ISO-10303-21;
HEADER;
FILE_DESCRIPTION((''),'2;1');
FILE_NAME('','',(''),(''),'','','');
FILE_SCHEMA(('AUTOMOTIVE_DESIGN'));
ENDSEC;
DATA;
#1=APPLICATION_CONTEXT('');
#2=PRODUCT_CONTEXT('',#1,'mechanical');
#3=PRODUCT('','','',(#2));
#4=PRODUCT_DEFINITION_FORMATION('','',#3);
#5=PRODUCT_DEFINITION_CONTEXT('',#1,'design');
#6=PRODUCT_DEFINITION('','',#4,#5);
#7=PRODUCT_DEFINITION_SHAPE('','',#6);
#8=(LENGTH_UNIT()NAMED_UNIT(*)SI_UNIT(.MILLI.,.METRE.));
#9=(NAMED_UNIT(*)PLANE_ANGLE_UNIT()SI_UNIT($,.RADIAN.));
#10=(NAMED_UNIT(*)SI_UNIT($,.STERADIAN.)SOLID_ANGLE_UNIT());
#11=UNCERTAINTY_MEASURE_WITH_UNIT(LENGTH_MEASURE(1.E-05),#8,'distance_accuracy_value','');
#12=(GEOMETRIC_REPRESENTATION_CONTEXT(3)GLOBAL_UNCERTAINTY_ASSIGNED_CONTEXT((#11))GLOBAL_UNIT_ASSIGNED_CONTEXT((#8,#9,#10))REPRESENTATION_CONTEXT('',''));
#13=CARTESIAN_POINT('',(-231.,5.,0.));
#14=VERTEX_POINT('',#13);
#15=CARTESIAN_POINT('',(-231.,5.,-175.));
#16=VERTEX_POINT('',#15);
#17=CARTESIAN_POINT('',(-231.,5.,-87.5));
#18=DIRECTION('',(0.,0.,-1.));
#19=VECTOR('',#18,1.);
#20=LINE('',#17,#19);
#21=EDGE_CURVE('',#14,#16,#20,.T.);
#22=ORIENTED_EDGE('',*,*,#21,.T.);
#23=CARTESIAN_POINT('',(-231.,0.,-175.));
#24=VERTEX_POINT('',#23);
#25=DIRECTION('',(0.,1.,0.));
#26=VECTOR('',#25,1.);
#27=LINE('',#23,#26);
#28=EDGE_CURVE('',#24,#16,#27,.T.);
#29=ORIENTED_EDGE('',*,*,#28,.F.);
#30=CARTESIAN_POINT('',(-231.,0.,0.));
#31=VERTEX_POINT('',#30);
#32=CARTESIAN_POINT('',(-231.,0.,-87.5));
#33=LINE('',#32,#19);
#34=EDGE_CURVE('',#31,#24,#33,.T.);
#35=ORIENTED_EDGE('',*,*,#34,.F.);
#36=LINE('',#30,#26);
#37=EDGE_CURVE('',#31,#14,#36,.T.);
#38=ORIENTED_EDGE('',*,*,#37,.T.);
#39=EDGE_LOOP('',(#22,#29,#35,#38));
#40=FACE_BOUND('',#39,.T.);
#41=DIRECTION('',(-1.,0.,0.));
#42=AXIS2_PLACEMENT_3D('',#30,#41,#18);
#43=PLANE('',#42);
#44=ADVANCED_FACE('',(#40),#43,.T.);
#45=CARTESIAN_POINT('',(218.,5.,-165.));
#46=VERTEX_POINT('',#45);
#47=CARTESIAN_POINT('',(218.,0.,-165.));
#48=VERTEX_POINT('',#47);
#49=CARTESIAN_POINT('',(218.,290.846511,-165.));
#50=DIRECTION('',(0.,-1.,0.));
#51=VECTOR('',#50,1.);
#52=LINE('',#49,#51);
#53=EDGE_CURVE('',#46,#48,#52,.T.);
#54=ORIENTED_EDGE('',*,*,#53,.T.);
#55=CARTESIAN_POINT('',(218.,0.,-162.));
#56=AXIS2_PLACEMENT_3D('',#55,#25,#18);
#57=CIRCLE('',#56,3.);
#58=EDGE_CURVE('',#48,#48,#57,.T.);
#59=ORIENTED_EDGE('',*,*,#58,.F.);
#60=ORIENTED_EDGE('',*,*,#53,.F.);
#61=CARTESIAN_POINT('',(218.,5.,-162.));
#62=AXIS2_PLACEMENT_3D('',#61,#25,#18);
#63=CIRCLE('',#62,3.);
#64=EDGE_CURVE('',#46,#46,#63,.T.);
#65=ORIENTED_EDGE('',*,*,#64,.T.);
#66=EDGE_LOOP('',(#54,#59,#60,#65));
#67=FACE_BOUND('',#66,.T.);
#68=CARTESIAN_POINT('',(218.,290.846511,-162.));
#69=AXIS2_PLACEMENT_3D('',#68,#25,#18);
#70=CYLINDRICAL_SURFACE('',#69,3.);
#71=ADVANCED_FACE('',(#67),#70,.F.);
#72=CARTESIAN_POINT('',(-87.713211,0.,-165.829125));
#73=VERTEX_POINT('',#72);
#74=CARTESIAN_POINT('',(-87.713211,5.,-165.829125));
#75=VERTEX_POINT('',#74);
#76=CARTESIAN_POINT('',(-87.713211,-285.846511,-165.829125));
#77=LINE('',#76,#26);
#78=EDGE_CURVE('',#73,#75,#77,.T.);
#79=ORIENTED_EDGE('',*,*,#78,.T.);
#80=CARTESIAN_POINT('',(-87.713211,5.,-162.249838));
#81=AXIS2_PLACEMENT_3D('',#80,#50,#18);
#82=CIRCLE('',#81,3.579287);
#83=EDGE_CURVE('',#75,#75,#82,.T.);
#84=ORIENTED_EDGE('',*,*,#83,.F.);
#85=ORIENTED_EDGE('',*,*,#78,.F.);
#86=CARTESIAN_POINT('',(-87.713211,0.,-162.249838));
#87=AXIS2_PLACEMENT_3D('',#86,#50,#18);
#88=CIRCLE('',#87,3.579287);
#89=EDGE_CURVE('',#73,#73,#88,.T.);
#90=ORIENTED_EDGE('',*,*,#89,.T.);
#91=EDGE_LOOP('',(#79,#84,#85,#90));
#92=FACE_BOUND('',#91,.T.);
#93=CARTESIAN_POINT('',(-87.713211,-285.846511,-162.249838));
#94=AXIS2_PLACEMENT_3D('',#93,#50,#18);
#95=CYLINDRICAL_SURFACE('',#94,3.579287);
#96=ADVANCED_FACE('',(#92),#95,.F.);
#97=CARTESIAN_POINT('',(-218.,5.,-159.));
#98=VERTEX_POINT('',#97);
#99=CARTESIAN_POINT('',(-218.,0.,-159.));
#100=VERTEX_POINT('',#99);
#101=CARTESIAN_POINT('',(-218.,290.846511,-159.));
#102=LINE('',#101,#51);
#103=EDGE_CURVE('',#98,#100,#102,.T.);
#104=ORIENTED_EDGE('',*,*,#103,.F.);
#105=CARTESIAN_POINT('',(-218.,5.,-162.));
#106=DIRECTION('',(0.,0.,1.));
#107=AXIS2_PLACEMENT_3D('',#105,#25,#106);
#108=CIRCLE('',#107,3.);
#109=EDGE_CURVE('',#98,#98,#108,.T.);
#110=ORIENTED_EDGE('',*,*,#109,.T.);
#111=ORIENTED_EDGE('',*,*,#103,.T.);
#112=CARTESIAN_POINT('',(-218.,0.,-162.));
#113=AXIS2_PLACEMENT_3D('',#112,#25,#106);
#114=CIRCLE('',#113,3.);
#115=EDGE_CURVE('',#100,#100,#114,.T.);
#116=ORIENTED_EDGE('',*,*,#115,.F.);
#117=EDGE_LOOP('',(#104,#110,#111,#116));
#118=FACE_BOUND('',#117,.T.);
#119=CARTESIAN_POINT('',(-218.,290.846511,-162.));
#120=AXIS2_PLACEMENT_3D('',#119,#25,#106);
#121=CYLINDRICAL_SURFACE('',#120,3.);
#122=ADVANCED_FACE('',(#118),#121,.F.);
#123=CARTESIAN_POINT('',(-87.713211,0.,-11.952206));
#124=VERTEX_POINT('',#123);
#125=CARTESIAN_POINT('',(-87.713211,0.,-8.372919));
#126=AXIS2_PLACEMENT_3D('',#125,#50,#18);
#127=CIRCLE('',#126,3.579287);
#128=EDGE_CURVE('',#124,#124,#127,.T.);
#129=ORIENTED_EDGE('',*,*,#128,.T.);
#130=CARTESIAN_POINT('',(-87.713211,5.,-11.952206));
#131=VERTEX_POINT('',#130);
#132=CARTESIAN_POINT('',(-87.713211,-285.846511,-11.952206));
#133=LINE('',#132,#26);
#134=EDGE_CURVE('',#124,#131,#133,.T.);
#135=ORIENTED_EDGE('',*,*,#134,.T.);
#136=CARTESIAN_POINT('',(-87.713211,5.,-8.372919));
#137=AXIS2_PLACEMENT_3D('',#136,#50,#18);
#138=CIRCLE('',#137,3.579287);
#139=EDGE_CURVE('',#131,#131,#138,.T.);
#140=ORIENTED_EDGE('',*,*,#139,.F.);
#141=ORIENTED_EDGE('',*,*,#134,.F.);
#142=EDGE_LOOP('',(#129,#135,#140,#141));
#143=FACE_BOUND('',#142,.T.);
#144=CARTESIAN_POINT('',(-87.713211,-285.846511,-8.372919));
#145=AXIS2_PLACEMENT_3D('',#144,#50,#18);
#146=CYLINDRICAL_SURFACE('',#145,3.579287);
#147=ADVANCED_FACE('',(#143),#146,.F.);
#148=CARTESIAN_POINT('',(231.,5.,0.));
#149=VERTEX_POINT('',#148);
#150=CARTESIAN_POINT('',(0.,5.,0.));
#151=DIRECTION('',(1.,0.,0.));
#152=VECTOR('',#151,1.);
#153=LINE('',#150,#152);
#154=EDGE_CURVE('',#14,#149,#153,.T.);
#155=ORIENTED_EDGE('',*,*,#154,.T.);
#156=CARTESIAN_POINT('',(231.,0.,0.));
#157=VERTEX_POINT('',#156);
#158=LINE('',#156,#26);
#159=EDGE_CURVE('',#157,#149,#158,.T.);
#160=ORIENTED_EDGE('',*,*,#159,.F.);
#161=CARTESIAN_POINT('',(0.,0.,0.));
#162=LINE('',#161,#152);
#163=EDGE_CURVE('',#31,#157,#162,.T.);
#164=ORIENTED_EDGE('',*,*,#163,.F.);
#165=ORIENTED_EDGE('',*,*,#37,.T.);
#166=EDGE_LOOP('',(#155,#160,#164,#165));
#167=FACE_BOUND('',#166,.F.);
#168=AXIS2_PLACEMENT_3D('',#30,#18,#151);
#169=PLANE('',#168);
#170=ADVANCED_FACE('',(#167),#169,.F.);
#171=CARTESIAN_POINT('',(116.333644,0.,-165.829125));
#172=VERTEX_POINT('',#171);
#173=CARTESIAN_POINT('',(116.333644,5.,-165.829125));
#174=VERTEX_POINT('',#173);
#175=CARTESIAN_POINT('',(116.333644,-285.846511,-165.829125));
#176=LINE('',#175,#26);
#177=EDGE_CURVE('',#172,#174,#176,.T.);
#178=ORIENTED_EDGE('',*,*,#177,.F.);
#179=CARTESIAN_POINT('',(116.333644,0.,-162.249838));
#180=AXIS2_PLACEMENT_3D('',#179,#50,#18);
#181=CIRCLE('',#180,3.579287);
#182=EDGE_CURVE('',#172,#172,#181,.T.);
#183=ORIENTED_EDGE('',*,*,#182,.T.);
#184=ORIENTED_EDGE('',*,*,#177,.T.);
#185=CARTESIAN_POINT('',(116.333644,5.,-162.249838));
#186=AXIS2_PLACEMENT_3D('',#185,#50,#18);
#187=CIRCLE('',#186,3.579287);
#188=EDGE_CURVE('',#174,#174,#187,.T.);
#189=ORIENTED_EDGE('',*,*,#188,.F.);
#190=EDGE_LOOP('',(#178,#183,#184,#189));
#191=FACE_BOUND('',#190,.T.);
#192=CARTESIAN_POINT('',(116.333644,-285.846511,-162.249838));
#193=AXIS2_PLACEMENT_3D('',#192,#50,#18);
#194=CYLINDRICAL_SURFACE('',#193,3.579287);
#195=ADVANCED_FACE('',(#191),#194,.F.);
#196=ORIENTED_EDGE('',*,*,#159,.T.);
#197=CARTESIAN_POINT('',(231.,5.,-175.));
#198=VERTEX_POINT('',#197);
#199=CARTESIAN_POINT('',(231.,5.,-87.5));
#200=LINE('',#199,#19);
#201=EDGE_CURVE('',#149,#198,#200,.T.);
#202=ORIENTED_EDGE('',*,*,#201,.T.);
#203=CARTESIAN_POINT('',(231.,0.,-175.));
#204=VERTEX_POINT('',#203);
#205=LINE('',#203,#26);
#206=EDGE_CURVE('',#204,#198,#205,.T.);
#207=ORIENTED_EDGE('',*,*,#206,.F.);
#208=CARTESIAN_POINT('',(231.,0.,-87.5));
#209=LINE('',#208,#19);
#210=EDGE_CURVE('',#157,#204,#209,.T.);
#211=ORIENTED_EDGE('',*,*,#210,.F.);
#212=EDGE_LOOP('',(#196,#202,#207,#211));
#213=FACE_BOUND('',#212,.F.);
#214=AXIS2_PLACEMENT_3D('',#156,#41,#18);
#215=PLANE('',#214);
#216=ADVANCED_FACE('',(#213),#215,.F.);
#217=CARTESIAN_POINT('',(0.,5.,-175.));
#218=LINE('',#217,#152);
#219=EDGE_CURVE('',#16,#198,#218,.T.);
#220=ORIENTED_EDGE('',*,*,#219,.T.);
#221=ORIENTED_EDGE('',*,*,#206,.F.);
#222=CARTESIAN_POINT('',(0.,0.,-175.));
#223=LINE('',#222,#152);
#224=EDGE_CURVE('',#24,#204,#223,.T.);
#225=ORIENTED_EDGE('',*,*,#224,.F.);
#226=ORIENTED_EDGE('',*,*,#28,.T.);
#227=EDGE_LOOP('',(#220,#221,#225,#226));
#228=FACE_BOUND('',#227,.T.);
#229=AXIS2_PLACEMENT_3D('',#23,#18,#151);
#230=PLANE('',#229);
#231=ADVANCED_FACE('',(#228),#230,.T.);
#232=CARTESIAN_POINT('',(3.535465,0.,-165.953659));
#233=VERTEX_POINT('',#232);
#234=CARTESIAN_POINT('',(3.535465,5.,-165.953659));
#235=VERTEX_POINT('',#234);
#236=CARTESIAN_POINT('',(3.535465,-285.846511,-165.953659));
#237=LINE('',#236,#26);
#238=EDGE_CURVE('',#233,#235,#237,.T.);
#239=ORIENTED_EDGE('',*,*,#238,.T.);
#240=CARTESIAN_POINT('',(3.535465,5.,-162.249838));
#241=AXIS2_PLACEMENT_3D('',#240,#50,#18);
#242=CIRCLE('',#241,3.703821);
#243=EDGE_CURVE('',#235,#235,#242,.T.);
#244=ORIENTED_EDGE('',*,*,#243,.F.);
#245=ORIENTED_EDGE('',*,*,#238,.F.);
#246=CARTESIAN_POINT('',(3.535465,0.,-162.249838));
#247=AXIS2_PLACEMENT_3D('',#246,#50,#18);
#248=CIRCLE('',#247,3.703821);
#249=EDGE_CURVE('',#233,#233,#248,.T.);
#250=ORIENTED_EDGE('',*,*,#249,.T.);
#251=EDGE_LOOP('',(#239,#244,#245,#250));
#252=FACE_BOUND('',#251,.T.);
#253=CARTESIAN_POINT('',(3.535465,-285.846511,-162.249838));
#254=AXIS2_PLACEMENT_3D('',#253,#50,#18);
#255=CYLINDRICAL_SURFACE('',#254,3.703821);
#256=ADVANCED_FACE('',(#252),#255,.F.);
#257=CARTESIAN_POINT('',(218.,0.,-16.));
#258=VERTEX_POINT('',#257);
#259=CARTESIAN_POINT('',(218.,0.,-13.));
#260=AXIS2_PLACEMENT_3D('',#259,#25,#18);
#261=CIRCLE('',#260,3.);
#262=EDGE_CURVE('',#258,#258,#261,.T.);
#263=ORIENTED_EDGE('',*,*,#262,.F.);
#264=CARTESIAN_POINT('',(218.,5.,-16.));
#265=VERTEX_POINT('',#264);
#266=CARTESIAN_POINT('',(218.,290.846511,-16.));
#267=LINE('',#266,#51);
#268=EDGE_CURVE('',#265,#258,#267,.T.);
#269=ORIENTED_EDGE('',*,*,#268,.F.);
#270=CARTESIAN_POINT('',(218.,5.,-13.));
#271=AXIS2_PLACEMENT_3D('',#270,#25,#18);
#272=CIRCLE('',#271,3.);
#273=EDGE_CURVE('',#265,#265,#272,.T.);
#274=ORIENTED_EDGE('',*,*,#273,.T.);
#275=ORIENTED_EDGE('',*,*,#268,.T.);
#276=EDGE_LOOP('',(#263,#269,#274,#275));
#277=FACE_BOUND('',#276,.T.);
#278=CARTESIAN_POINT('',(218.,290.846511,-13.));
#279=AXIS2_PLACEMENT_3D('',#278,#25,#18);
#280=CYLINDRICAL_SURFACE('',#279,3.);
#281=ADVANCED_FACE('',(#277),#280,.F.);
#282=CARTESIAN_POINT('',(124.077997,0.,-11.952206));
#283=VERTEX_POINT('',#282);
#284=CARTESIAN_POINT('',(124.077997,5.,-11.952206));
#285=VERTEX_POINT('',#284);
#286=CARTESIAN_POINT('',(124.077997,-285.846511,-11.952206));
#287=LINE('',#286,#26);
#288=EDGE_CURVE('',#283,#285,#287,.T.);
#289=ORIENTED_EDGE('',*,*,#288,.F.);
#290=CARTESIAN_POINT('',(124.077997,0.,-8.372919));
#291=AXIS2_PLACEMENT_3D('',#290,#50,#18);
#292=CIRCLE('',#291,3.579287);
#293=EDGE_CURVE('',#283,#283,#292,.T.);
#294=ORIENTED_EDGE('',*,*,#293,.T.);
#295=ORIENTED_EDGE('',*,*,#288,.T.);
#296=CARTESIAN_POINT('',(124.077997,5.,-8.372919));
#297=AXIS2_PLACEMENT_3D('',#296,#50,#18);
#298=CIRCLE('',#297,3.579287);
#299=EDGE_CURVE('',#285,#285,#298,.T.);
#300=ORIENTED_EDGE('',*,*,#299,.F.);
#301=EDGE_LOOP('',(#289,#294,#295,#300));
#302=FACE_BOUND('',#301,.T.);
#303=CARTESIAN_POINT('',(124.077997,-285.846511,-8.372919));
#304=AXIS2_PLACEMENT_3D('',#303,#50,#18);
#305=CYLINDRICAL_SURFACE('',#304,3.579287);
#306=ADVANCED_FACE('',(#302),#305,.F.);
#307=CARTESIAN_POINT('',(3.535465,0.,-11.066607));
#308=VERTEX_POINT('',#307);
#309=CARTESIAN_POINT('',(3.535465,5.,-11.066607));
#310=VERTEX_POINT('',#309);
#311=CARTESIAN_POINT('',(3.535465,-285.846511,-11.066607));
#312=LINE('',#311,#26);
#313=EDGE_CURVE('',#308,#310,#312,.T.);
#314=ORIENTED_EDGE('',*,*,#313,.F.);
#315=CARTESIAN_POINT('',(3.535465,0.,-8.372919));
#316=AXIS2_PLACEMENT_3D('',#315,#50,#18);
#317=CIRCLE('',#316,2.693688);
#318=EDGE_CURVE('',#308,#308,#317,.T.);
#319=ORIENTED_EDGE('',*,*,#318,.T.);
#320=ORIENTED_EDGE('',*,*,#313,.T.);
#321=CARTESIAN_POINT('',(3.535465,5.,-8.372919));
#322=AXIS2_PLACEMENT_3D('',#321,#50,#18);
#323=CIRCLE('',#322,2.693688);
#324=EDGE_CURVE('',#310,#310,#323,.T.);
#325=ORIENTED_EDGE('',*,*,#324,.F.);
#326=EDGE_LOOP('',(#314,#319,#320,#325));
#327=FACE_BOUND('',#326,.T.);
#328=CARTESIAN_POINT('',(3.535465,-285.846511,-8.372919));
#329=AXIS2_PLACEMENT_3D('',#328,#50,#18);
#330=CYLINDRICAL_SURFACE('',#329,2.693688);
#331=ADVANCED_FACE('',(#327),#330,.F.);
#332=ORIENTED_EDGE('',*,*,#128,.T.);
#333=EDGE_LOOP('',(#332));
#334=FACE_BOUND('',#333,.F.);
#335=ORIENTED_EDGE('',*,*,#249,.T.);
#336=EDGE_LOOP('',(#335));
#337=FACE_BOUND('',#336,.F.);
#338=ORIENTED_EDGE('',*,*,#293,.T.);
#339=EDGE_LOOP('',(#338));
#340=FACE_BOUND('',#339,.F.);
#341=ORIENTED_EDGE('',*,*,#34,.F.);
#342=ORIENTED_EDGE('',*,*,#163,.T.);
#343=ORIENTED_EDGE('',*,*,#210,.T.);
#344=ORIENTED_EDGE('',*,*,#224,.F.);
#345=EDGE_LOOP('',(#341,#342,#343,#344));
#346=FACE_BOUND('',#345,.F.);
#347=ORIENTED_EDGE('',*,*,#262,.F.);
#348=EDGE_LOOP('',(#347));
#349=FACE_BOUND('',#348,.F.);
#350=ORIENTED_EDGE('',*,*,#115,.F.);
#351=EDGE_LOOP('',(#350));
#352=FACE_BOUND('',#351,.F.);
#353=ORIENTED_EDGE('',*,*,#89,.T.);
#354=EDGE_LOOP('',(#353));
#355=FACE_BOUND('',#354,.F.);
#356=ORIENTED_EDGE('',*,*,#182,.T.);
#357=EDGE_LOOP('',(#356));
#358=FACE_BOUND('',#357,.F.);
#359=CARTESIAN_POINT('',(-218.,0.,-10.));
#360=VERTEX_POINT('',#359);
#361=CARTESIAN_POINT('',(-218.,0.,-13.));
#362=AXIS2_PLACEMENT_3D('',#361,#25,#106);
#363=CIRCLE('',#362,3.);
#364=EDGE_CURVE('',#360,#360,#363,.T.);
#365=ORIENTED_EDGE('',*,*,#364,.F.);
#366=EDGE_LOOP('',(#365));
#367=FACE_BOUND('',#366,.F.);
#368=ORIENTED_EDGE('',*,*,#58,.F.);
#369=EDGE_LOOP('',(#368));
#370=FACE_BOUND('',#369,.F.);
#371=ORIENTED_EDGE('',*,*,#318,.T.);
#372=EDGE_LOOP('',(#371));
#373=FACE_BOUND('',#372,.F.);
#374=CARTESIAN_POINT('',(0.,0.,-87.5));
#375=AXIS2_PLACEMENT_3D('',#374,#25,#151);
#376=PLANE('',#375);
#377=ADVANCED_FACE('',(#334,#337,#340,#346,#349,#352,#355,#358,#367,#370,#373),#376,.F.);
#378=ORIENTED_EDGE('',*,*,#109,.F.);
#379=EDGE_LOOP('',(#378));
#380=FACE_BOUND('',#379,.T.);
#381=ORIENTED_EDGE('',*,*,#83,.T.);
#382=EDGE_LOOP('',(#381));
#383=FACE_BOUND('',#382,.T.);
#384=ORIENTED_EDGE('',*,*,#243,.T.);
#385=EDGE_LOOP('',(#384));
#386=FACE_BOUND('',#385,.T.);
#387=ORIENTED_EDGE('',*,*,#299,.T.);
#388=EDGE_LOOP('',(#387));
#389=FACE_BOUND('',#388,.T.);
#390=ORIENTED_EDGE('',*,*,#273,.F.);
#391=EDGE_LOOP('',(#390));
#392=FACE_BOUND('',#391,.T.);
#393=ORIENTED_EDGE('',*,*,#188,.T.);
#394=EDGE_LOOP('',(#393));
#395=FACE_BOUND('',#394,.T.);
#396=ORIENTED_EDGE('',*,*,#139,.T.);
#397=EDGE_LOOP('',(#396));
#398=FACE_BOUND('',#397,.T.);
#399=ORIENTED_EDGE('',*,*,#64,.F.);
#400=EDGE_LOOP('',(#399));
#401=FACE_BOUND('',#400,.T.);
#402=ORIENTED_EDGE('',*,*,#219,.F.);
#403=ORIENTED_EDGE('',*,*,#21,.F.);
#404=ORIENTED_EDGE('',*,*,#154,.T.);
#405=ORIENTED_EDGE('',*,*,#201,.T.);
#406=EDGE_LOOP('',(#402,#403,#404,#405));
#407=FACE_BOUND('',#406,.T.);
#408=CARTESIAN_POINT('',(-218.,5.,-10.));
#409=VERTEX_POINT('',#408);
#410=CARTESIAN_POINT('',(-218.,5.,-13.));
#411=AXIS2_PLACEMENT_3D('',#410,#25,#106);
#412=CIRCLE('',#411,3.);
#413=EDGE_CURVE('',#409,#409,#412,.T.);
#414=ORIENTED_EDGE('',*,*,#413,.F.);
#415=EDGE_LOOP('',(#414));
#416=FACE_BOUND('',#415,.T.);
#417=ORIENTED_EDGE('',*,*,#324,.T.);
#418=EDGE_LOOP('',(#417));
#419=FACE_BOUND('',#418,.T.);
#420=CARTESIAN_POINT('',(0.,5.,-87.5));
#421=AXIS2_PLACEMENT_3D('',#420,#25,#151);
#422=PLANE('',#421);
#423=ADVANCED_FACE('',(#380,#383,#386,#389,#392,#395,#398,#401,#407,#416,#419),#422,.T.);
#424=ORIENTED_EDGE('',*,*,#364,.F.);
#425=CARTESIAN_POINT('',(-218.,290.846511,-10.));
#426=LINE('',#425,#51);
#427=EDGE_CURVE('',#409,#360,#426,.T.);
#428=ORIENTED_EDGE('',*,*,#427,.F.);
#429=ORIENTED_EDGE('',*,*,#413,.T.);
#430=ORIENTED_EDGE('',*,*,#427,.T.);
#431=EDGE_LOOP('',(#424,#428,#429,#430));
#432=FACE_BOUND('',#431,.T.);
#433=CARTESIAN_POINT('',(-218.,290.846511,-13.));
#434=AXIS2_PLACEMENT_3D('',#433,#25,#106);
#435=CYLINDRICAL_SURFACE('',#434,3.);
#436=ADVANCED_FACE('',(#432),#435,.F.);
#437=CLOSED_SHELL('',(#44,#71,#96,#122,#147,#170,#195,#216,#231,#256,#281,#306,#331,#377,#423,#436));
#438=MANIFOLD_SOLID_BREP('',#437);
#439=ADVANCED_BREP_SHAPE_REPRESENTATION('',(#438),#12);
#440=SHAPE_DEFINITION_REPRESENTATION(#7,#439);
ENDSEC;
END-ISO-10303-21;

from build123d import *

# Parameters (mm, degrees)
SKETCH_1_W               = 462
SKETCH_1_H               = 175
EXTRUDE_1_DEPTH          = 5
CUT_EXTRUDE_1_DEPTH      = 290.846511105
CUT_EXTRUDE_1_DEPTH_BACK = 290.846511105
SKETCH_2_R               = 3
CUT_EXTRUDE_3_DEPTH      = 290.846511105
CUT_EXTRUDE_3_DEPTH_BACK = 290.846511105
SKETCH_5_R               = 3.579286829
SKETCH_5_R_2             = 3.703820796
SKETCH_5_R_3             = 2.693687851


with BuildPart() as part:
    # 草图1 → 凸台-拉伸1 (new body)
    with BuildSketch(Plane(origin=(0, 0, 0), x_dir=(1, 0, 0), z_dir=(0, 1, 0))):
        with Locations((0, 87.5)):
            Rectangle(SKETCH_1_W, SKETCH_1_H)
    extrude(amount=EXTRUDE_1_DEPTH)

    # 草图2 → 切除-拉伸1 (cut, two sides: drawn at the far end of the back side and taken through both)
    with BuildSketch(Plane.XZ.offset(-CUT_EXTRUDE_1_DEPTH_BACK)):
        with Locations((218, -162)):
            Circle(SKETCH_2_R)
        with Locations((218, -13)):
            Circle(SKETCH_2_R)
        with Locations((-218, -13)):
            Circle(SKETCH_2_R)
        with Locations((-218, -162)):
            Circle(SKETCH_2_R)
    extrude(amount=CUT_EXTRUDE_1_DEPTH + CUT_EXTRUDE_1_DEPTH_BACK, mode=Mode.SUBTRACT)

    # 草图5 → 切除-拉伸3 (cut, two sides: drawn at the far end of the back side and taken through both)
    with BuildSketch(Plane(origin=(0, 5, 0), x_dir=(1, 0, 0), z_dir=(0, 1, 0)).offset(-CUT_EXTRUDE_3_DEPTH_BACK)):
        with Locations((-87.713210657, 162.249837873)):
            Circle(SKETCH_5_R)
        with Locations((-87.713210657, 8.372919369)):
            Circle(SKETCH_5_R)
        with Locations((116.333644077, 162.249837873)):
            Circle(SKETCH_5_R)
        with Locations((124.077996649, 8.372919369)):
            Circle(SKETCH_5_R)
        with Locations((3.535465305, 162.249837873)):
            Circle(SKETCH_5_R_2)
        with Locations((3.535465305, 8.372919369)):
            Circle(SKETCH_5_R_3)
    extrude(amount=CUT_EXTRUDE_3_DEPTH + CUT_EXTRUDE_3_DEPTH_BACK, mode=Mode.SUBTRACT)


solid = part.part
